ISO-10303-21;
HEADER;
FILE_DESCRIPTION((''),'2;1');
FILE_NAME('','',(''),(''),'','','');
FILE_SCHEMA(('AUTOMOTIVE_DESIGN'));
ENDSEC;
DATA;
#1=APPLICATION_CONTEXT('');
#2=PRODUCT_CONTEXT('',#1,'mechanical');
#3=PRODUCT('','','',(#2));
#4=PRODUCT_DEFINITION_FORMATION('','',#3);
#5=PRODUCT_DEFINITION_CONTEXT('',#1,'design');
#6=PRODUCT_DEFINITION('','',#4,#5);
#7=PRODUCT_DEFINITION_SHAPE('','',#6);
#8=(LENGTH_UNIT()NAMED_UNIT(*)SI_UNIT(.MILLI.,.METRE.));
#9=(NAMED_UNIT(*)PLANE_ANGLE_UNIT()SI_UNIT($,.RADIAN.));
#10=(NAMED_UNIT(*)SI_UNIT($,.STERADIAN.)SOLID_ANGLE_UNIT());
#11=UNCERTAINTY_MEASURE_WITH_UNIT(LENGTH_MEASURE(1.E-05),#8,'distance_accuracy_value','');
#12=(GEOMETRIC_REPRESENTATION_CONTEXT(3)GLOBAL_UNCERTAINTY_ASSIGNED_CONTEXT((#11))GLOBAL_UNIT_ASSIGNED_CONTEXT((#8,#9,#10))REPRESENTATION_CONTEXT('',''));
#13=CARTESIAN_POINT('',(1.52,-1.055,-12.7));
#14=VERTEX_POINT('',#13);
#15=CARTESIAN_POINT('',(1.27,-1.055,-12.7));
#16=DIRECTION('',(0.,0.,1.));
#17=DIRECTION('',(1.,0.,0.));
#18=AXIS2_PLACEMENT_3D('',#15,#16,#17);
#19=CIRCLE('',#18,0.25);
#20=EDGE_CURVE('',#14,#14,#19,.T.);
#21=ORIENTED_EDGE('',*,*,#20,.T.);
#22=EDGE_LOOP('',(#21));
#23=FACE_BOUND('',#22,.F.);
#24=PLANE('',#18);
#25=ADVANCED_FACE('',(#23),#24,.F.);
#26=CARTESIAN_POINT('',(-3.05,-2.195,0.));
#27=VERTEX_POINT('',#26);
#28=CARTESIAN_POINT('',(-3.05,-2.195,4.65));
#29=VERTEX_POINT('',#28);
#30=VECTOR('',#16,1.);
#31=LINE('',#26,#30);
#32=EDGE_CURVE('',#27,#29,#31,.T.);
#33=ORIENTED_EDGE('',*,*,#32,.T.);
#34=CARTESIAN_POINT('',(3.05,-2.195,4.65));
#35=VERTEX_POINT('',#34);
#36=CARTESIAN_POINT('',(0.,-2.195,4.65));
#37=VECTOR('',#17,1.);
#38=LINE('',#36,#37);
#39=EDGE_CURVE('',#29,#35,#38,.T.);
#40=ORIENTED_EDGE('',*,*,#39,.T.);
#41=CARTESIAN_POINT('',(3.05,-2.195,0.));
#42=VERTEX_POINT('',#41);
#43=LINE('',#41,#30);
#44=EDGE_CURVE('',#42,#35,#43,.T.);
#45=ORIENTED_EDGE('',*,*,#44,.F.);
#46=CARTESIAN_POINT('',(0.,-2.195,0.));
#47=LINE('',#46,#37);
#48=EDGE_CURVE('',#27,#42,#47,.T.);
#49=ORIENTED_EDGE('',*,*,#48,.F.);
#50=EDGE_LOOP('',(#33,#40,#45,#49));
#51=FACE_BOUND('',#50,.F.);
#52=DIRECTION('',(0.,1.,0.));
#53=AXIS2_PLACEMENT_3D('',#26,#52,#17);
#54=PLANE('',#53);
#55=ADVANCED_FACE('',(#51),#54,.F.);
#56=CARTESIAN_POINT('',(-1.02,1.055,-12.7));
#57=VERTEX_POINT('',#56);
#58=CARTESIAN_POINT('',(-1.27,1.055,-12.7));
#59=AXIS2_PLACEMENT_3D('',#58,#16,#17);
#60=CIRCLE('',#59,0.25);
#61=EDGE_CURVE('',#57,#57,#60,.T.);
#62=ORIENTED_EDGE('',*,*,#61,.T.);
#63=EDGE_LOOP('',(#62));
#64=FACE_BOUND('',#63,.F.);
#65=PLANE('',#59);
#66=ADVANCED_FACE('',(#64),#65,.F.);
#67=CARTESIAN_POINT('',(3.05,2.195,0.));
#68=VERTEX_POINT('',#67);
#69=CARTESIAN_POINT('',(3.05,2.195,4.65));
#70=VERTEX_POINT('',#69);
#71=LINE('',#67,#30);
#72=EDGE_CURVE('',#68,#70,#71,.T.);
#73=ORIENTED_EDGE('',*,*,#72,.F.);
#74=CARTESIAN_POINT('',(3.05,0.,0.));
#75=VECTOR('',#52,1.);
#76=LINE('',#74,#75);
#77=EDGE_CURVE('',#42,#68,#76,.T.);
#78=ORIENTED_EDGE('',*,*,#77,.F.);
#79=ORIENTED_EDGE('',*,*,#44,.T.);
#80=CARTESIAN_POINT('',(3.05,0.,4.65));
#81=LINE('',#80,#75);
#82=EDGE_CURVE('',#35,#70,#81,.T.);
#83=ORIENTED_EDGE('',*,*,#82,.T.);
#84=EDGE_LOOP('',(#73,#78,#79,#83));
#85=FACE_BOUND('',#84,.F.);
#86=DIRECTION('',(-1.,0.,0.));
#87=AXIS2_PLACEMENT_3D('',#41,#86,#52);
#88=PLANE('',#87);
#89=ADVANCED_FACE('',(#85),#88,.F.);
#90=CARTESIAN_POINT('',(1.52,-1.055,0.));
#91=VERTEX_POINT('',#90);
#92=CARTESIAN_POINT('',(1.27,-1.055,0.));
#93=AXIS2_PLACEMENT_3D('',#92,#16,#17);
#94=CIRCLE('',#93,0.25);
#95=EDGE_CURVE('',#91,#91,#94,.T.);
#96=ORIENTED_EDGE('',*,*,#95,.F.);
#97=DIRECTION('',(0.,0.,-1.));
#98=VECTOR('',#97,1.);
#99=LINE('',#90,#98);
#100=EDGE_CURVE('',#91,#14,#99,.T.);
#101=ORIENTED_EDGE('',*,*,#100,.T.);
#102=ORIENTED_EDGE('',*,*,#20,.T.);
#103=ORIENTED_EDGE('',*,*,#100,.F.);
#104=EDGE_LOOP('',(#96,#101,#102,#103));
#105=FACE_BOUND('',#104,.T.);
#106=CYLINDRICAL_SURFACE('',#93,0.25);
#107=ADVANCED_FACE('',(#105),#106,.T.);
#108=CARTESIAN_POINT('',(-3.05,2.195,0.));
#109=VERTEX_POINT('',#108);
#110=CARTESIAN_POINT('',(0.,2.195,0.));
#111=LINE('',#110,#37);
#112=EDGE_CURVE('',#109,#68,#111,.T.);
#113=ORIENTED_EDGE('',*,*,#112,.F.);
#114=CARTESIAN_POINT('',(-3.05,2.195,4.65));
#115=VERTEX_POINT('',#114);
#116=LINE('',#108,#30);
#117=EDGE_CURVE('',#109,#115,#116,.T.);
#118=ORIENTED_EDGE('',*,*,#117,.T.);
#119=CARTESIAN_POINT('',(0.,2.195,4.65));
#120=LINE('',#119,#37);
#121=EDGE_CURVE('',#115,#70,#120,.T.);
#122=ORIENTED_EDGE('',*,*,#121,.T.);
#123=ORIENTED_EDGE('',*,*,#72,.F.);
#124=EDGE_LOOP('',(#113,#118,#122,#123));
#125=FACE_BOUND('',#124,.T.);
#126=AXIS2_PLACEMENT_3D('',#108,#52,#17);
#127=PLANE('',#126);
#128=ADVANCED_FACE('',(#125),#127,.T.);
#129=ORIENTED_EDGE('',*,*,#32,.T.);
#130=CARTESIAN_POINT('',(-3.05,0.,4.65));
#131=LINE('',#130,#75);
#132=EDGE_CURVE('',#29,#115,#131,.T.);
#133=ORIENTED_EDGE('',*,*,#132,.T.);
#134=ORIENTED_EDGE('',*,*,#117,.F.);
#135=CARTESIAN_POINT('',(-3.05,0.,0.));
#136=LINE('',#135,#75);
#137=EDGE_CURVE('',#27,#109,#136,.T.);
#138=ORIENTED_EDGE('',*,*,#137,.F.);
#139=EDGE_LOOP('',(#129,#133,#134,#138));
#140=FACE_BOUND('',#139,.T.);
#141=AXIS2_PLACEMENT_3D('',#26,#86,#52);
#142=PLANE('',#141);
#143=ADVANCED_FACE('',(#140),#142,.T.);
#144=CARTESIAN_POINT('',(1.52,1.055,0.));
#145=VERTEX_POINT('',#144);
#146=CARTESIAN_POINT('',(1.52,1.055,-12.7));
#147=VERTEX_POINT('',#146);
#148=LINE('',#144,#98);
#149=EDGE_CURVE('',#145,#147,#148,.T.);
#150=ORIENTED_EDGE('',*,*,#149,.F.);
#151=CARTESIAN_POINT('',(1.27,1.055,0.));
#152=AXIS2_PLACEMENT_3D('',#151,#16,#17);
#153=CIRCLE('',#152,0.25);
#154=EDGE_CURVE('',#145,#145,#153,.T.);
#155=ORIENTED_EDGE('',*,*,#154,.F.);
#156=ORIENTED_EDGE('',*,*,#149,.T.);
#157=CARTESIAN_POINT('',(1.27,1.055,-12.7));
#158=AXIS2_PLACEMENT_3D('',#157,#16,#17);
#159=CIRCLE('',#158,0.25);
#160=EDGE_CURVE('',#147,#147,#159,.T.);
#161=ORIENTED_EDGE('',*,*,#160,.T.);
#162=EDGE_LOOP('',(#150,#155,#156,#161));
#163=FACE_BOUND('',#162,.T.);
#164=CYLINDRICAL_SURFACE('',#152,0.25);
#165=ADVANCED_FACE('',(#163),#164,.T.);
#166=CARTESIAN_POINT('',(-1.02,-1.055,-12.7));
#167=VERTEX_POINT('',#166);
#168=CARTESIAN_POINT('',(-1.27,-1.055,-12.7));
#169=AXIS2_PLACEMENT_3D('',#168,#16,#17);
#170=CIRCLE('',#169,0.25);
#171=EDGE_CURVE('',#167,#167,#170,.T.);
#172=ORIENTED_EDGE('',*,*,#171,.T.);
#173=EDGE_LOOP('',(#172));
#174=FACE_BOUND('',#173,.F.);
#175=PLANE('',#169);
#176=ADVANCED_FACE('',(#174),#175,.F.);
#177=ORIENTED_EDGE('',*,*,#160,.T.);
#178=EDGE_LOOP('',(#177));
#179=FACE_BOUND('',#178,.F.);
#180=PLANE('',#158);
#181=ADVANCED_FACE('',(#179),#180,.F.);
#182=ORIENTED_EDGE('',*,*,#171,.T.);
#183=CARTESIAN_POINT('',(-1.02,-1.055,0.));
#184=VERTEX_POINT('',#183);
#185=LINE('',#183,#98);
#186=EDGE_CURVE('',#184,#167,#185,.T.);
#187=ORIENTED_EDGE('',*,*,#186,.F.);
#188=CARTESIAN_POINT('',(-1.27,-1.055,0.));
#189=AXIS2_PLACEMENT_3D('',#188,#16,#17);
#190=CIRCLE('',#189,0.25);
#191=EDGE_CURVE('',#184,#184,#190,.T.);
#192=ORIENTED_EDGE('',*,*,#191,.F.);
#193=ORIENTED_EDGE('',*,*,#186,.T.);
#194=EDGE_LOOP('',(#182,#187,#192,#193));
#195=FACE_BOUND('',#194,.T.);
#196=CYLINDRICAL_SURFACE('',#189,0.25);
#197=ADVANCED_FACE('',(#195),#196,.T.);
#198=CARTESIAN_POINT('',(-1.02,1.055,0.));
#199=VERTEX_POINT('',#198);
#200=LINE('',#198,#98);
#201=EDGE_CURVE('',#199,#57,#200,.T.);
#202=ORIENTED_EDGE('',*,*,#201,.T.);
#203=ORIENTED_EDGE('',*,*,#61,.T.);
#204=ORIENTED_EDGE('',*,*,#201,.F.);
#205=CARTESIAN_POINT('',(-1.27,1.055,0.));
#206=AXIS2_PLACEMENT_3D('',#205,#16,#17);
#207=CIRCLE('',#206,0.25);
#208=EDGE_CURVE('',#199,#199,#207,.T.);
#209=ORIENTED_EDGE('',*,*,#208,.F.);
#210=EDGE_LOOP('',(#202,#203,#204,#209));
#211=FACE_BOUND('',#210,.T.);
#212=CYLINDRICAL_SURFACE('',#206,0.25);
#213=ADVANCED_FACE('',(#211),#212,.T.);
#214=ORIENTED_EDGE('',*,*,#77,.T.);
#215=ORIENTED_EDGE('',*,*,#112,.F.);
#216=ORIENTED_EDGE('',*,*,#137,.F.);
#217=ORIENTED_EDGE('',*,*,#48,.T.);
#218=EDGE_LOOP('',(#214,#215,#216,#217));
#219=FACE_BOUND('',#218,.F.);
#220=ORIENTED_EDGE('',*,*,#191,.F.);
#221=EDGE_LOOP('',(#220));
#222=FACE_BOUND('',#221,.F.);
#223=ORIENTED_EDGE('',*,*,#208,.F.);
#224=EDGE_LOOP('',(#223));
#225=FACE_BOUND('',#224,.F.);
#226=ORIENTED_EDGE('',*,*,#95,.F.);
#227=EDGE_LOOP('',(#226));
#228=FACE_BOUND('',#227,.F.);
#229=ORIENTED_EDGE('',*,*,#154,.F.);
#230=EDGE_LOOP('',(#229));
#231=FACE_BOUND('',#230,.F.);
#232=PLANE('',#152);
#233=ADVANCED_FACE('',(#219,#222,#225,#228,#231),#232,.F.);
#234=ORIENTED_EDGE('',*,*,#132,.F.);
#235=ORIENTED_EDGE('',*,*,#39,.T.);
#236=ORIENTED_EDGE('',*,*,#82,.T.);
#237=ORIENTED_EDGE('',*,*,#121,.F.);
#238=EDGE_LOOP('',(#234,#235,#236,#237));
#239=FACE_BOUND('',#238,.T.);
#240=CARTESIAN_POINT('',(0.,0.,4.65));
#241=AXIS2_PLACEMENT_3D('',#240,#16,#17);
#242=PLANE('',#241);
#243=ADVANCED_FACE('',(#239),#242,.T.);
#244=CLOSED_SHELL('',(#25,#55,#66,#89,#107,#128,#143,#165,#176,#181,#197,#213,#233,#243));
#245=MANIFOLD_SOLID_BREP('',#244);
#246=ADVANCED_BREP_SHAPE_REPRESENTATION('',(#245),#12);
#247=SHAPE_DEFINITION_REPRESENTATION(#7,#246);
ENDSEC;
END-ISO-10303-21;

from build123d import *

# Parameters (mm, degrees)
F0_W          = 6.1
F0_H          = 4.39
F0_R          = 0.25
F1_DEPTH      = 4.65
F2_DEPTH      = 4.65
F2_DEPTH_BACK = 12.7


with BuildPart() as f1:
    # F0 (on Top) → F1 (new body)
    with BuildSketch(Plane.XY):
        Rectangle(F0_W, F0_H)
        with Locations((-1.27, -1.055)):
            Circle(F0_R, mode=Mode.SUBTRACT)
        with Locations((1.27, -1.055)):
            Circle(F0_R, mode=Mode.SUBTRACT)
        with Locations((-1.27, 1.055)):
            Circle(F0_R, mode=Mode.SUBTRACT)
        with Locations((1.27, 1.055)):
            Circle(F0_R, mode=Mode.SUBTRACT)
    extrude(amount=F1_DEPTH)

    # F0 (on Top) → F2 (join, two sides)
    with BuildSketch(Plane.XY) as f2_sk:
        with Locations((1.27, 1.055)):
            Circle(F0_R)
        with Locations((-1.27, 1.055)):
            Circle(F0_R)
        with Locations((1.27, -1.055)):
            Circle(F0_R)
        with Locations((-1.27, -1.055)):
            Circle(F0_R)
    extrude(amount=F2_DEPTH)
    extrude(f2_sk.sketch, amount=-F2_DEPTH_BACK)


solid = f1.part
